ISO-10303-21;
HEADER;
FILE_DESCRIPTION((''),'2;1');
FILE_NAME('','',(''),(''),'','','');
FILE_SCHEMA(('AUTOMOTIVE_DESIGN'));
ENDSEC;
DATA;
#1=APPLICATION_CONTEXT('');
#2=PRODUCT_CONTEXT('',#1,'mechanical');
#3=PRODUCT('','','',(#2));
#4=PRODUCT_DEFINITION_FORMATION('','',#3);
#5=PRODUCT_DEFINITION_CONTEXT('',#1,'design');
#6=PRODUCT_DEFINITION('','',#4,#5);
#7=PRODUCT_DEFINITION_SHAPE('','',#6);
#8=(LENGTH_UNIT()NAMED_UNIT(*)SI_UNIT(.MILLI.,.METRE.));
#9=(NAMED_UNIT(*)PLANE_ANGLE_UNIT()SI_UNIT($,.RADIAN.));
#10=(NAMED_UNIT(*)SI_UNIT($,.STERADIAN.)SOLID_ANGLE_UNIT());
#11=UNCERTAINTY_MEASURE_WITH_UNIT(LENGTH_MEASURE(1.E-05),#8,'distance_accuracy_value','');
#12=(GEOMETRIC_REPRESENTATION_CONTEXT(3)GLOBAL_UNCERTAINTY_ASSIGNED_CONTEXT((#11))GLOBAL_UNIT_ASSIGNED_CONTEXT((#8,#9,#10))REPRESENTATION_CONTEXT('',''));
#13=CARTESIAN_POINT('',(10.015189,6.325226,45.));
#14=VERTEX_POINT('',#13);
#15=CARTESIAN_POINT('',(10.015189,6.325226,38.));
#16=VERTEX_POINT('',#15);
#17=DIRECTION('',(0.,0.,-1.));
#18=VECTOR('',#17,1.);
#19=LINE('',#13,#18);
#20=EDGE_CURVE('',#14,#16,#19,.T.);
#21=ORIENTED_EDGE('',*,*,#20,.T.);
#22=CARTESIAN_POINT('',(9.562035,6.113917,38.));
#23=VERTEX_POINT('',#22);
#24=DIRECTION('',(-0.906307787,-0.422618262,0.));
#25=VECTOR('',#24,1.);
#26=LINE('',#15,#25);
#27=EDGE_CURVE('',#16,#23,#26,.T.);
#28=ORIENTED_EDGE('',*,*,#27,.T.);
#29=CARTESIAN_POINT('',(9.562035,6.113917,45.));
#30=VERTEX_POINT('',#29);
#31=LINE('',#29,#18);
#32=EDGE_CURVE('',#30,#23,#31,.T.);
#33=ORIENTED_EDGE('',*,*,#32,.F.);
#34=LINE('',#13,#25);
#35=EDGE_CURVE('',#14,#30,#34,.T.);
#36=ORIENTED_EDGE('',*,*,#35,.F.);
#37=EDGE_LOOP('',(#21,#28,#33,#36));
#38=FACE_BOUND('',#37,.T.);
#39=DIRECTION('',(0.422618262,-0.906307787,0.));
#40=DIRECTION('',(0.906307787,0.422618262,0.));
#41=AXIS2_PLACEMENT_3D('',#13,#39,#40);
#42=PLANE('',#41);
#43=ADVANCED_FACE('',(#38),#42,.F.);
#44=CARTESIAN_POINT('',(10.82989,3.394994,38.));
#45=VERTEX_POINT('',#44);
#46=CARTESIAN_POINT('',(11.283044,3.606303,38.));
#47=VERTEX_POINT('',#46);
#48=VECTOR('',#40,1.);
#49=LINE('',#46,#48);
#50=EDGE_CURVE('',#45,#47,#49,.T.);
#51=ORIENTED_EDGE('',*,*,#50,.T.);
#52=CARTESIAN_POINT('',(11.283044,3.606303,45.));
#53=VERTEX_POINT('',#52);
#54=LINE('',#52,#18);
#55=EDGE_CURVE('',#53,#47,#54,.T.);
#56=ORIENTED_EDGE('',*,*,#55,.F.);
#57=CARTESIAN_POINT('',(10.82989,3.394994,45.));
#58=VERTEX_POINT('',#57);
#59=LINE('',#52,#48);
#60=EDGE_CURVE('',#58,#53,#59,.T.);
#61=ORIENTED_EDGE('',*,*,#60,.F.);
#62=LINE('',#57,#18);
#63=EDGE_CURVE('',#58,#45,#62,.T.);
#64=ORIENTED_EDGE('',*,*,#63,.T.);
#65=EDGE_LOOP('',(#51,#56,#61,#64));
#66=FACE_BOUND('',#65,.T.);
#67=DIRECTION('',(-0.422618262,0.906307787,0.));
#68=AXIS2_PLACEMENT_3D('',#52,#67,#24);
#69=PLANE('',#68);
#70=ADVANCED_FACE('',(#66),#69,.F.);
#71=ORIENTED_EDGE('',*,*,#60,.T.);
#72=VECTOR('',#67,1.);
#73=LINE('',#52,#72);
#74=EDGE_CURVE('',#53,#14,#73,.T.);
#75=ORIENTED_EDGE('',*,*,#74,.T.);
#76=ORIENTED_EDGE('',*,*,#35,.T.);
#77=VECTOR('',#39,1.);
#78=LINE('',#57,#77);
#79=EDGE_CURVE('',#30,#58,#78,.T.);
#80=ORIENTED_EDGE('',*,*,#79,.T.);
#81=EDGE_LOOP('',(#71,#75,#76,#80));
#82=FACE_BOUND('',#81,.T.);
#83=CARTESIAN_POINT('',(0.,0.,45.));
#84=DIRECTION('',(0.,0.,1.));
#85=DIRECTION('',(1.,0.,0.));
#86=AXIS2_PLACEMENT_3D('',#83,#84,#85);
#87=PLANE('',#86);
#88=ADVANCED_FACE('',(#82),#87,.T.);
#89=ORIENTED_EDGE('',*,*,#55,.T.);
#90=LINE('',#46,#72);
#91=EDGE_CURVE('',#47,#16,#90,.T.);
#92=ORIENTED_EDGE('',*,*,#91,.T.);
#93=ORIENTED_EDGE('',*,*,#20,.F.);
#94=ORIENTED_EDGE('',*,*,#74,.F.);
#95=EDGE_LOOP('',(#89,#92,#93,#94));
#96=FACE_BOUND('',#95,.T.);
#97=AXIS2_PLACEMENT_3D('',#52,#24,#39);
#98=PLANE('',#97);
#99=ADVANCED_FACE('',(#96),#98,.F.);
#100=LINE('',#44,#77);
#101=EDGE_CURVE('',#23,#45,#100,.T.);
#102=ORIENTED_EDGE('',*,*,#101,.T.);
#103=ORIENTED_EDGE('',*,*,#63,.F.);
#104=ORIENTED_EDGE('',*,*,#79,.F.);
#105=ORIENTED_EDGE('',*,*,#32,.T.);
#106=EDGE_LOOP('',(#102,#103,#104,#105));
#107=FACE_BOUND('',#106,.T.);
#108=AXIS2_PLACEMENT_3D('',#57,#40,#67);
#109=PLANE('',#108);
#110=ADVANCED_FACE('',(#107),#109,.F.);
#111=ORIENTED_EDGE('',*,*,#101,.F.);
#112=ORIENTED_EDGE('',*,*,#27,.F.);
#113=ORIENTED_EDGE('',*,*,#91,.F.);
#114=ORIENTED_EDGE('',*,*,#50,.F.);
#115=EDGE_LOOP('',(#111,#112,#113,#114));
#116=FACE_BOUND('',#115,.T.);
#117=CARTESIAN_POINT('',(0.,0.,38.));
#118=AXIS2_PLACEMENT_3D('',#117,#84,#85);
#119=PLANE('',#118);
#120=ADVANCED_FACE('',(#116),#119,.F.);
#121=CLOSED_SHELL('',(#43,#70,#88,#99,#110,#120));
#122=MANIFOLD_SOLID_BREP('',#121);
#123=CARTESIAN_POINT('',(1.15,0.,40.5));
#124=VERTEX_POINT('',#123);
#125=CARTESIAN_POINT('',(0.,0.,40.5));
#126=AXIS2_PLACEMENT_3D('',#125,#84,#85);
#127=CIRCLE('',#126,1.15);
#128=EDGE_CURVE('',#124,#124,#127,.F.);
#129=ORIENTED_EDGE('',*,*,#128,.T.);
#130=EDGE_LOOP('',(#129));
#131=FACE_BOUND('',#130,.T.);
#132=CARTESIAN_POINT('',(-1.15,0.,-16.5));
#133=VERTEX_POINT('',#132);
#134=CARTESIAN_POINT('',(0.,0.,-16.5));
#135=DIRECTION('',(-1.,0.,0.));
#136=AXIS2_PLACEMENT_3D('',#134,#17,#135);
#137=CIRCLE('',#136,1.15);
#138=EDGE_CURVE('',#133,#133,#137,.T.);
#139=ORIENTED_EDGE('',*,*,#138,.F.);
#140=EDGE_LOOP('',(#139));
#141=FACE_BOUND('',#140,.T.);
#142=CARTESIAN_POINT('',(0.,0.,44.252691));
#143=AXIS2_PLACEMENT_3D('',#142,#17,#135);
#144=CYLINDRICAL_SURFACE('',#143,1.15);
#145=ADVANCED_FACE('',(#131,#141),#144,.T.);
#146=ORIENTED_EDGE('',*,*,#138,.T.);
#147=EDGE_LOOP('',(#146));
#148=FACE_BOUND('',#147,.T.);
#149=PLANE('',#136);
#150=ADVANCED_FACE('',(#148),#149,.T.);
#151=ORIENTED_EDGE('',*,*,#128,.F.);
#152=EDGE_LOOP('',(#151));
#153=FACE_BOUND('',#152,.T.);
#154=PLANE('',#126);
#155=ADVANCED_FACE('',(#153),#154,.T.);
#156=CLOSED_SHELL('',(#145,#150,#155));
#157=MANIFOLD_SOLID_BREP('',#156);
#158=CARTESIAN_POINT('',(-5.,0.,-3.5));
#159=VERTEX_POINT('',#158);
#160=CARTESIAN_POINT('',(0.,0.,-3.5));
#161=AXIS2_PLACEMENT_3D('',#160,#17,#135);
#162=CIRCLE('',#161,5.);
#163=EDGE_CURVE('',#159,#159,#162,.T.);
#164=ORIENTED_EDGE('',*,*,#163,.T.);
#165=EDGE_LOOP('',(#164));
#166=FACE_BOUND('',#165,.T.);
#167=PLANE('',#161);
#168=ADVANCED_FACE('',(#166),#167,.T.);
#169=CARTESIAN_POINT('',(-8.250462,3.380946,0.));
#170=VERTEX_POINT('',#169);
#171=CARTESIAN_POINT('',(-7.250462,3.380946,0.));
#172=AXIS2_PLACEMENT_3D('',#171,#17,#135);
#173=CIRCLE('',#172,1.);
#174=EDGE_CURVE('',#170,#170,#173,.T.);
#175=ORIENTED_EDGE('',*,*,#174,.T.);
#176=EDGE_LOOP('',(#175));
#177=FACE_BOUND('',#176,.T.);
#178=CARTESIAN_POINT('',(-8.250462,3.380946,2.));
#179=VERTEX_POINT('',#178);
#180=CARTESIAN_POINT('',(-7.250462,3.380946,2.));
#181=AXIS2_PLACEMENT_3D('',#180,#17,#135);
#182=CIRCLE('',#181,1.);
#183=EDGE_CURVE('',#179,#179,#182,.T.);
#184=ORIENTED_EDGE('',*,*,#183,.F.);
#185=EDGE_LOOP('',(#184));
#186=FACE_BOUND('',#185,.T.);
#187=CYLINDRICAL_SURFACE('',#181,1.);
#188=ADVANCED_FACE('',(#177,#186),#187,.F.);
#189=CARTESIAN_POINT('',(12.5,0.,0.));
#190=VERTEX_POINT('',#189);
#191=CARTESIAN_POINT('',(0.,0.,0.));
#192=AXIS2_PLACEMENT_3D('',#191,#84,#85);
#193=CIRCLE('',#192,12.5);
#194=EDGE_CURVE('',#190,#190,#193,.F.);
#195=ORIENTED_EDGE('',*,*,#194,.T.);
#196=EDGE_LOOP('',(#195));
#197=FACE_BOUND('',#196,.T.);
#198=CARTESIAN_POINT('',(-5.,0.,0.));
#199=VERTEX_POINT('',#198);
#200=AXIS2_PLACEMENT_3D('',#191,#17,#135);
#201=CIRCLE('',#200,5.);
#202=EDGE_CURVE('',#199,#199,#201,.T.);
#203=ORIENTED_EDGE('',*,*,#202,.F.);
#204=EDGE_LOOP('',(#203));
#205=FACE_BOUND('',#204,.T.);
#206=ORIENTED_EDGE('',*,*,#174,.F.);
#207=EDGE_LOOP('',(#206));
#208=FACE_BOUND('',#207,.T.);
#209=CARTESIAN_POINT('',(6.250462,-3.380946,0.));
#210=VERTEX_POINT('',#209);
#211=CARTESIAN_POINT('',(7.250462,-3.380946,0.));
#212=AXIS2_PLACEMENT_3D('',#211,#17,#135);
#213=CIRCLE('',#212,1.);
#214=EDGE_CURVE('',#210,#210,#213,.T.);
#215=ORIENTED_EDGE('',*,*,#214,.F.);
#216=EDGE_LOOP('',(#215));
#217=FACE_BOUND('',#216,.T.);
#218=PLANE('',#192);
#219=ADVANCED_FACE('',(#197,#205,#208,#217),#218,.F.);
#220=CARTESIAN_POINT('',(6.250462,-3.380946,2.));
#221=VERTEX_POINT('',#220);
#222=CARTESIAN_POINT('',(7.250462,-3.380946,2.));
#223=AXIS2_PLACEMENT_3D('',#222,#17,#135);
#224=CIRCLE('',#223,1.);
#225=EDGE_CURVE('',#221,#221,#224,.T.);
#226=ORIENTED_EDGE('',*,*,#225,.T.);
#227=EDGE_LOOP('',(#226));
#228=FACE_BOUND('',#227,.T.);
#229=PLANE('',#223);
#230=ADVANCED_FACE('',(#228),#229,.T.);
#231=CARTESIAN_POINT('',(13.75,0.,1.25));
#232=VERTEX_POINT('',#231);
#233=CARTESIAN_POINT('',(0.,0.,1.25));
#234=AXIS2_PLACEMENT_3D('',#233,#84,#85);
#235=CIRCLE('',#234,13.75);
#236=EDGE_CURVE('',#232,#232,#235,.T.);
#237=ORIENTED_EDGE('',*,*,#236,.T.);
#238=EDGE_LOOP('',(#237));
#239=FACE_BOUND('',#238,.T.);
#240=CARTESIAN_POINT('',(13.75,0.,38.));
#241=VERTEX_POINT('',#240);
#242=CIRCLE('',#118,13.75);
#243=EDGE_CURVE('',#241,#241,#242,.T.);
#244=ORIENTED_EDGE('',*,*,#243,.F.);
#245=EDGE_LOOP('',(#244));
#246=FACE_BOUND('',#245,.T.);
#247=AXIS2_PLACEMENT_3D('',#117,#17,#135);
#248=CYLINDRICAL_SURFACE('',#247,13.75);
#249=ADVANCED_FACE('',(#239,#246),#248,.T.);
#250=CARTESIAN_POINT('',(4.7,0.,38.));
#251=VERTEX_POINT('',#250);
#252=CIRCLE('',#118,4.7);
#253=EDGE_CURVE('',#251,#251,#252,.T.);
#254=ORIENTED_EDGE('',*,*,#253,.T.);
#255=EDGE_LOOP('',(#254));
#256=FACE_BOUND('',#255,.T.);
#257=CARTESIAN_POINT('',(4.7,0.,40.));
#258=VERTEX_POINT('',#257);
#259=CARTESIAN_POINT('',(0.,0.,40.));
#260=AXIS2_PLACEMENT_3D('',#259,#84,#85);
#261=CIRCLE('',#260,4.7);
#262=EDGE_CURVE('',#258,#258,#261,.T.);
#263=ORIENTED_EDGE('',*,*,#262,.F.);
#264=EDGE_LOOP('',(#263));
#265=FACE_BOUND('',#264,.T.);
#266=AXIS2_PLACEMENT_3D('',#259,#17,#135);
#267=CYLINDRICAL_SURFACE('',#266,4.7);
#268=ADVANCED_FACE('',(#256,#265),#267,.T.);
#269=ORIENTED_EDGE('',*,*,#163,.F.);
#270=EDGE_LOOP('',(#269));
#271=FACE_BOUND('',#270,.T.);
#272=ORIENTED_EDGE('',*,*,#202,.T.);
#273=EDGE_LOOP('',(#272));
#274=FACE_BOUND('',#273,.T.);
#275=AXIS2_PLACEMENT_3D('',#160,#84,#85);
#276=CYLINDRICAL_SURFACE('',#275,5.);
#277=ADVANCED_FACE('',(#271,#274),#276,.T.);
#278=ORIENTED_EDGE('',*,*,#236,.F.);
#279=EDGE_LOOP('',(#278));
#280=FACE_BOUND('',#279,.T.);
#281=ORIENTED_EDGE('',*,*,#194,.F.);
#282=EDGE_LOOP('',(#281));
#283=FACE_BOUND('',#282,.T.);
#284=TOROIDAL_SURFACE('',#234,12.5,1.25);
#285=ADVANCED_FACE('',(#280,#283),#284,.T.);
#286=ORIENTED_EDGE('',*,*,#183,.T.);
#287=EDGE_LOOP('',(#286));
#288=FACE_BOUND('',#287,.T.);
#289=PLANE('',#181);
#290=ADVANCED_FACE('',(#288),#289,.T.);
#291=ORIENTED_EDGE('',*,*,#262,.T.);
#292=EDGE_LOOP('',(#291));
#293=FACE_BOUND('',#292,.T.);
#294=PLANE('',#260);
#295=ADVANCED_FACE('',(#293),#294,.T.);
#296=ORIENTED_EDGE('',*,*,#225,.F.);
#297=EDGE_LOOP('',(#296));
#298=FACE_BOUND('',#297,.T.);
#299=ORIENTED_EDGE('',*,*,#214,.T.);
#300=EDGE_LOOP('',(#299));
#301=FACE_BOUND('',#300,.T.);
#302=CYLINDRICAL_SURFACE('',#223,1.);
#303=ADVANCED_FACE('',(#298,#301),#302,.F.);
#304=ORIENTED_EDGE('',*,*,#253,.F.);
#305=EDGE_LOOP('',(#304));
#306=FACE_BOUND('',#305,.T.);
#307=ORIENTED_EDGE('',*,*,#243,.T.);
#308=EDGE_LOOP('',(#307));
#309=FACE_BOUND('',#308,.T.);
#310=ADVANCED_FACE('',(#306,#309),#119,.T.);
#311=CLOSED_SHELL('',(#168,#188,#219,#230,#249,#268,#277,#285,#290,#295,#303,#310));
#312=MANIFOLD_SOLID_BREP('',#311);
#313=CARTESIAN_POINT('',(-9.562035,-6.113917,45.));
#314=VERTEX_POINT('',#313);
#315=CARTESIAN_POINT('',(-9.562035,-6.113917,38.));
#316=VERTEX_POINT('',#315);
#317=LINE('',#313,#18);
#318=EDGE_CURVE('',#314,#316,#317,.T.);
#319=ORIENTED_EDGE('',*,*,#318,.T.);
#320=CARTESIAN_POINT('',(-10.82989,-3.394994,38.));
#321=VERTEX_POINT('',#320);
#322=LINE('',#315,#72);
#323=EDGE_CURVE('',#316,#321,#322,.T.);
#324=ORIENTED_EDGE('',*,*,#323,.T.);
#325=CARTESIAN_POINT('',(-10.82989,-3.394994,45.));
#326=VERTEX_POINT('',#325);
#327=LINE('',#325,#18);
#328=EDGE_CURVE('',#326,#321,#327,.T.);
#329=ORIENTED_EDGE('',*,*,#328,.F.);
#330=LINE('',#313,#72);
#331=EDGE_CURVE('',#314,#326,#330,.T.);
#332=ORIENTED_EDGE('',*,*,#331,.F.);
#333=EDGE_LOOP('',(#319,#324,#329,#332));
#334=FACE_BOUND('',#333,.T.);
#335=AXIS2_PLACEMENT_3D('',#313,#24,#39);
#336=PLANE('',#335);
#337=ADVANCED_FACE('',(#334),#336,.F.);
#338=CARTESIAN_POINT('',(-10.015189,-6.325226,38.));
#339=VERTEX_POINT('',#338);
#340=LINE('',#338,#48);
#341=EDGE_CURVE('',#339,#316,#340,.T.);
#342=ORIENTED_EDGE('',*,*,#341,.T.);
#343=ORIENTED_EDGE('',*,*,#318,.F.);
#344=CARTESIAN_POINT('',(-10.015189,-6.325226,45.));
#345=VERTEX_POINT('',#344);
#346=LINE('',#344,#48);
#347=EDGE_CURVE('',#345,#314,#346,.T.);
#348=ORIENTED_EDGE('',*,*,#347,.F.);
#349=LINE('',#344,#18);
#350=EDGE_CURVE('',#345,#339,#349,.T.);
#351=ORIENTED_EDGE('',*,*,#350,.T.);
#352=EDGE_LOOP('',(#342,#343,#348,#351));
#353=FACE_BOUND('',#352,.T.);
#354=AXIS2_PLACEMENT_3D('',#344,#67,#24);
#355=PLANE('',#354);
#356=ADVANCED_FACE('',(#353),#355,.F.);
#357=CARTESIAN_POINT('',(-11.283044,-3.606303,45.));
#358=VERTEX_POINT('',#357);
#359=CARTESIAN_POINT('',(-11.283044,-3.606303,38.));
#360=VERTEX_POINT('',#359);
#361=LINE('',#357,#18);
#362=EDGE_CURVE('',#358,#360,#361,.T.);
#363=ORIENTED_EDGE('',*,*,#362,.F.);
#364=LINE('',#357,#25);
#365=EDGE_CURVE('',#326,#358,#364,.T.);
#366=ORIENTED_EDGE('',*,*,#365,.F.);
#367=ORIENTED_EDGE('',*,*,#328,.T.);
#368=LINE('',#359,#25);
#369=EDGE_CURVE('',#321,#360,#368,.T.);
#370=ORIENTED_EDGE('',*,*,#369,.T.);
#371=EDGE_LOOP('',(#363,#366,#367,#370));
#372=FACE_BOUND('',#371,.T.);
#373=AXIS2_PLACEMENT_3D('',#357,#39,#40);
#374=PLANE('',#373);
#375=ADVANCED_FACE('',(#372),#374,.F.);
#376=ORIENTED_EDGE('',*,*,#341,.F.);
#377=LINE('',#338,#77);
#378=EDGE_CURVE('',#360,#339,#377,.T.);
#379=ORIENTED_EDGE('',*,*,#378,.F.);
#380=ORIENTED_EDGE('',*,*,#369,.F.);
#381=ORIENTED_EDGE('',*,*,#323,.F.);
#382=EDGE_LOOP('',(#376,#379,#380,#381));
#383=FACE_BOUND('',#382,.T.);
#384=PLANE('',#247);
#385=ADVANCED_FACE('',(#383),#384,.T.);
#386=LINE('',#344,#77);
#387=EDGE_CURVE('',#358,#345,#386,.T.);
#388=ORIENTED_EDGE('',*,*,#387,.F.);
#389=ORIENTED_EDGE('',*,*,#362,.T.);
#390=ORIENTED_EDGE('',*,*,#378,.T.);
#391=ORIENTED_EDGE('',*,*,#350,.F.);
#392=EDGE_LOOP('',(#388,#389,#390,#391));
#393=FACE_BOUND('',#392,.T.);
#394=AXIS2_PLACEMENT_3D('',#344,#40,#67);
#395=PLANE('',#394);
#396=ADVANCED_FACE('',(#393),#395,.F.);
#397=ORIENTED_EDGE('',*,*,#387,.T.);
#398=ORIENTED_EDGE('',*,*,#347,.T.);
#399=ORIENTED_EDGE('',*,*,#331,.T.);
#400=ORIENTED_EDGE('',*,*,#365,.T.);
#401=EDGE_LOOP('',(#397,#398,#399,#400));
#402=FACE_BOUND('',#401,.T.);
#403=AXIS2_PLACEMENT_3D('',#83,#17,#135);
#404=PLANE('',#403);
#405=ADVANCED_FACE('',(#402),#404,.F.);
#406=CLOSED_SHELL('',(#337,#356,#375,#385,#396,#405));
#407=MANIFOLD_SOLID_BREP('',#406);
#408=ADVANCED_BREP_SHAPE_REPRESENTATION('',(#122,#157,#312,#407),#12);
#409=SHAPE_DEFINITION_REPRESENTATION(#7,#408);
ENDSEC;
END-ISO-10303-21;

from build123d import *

# Parameters (mm, degrees)
SKIZZE2_R                            = 13.75
AUFSATZ_LINEAR_AUSTRAGEN1_DEPTH      = 38
SKIZZE3_R                            = 5
AUFSATZ_LINEAR_AUSTRAGEN2_DEPTH      = 3.5
SKIZZE4_R                            = 4.7
AUFSATZ_LINEAR_AUSTRAGEN3_DEPTH      = 2
AUFSATZ_LINEAR_AUSTRAGEN4_DEPTH      = 13
AUFSATZ_LINEAR_AUSTRAGEN4_DEPTH_BACK = 44
SKIZZE5_R                            = 1.15
SKIZZE6_R                            = 1
SCHNITT_LINEAR_AUSTRAGEN1_DEPTH      = 2
AUFSATZ_LINEAR_AUSTRAGEN5_DEPTH      = 7
AUFSATZ_LINEAR_AUSTRAGEN5_2_DEPTH    = 7
VERRUNDUNG1_R                        = 1.25


with BuildPart() as part:
    # Skizze2 → Aufsatz-Linear austragen1 (new body)
    with BuildSketch(Plane.XY):
        Circle(SKIZZE2_R)
    extrude(amount=AUFSATZ_LINEAR_AUSTRAGEN1_DEPTH)

    # Skizze3 → Aufsatz-Linear austragen2 (add)
    with BuildSketch(Plane(origin=(0, 0, 0), x_dir=(-1, 0, 0), z_dir=(0, 0, -1))):
        Circle(SKIZZE3_R)
    extrude(amount=AUFSATZ_LINEAR_AUSTRAGEN2_DEPTH)

    # Skizze4 → Aufsatz-Linear austragen3 (add)
    with BuildSketch(Plane.XY.offset(38)):
        Circle(SKIZZE4_R)
    extrude(amount=AUFSATZ_LINEAR_AUSTRAGEN3_DEPTH)

    # Skizze6 → Schnitt-Linear austragen1 (cut)
    with BuildSketch(Plane(origin=(0, 0, 0), x_dir=(-1, 0, 0), z_dir=(0, 0, -1))):
        with Locations((7.250462296, 3.380946094)):
            Circle(SKIZZE6_R)
        with Locations((-7.250462296, -3.380946094)):
            Circle(SKIZZE6_R)
    extrude(amount=-SCHNITT_LINEAR_AUSTRAGEN1_DEPTH, mode=Mode.SUBTRACT)

    # Verrundung1
    verrundung1_edges = [part.edges().sort_by_distance(p)[0] for p in [
        (-13.75, 0, 0),
    ]]
    fillet(verrundung1_edges, radius=VERRUNDUNG1_R)


with BuildPart() as body_2:
    # Skizze5 → Aufsatz-Linear austragen4 (new, two sides: drawn at the far end of the back side and taken through both)
    with BuildSketch(Plane(origin=(0, 0, -3.5), x_dir=(-1, 0, 0), z_dir=(0, 0, -1)).offset(-AUFSATZ_LINEAR_AUSTRAGEN4_DEPTH_BACK)):
        Circle(SKIZZE5_R)
    extrude(amount=AUFSATZ_LINEAR_AUSTRAGEN4_DEPTH + AUFSATZ_LINEAR_AUSTRAGEN4_DEPTH_BACK)


with BuildPart() as body_3:
    # Skizze7 → Aufsatz-Linear austragen5 (new body)
    with BuildSketch(Plane.XY.offset(38)):
        Polygon((11.28304389, 3.606302895), (10.829889997, 3.394993764), (9.562035212, 6.113917125), (10.015189105, 6.325226256), align=None)
    extrude(amount=AUFSATZ_LINEAR_AUSTRAGEN5_DEPTH)


with BuildPart() as body_4:
    # Skizze7 → Aufsatz-Linear austragen5 2 (new body)
    with BuildSketch(Plane.XY.offset(38)):
        Polygon((-10.015189105, -6.325226256), (-9.562035212, -6.113917125), (-10.829889997, -3.394993764), (-11.28304389, -3.606302895), align=None)
    extrude(amount=AUFSATZ_LINEAR_AUSTRAGEN5_2_DEPTH)


solid = Compound([part.part, body_2.part, body_3.part, body_4.part])
